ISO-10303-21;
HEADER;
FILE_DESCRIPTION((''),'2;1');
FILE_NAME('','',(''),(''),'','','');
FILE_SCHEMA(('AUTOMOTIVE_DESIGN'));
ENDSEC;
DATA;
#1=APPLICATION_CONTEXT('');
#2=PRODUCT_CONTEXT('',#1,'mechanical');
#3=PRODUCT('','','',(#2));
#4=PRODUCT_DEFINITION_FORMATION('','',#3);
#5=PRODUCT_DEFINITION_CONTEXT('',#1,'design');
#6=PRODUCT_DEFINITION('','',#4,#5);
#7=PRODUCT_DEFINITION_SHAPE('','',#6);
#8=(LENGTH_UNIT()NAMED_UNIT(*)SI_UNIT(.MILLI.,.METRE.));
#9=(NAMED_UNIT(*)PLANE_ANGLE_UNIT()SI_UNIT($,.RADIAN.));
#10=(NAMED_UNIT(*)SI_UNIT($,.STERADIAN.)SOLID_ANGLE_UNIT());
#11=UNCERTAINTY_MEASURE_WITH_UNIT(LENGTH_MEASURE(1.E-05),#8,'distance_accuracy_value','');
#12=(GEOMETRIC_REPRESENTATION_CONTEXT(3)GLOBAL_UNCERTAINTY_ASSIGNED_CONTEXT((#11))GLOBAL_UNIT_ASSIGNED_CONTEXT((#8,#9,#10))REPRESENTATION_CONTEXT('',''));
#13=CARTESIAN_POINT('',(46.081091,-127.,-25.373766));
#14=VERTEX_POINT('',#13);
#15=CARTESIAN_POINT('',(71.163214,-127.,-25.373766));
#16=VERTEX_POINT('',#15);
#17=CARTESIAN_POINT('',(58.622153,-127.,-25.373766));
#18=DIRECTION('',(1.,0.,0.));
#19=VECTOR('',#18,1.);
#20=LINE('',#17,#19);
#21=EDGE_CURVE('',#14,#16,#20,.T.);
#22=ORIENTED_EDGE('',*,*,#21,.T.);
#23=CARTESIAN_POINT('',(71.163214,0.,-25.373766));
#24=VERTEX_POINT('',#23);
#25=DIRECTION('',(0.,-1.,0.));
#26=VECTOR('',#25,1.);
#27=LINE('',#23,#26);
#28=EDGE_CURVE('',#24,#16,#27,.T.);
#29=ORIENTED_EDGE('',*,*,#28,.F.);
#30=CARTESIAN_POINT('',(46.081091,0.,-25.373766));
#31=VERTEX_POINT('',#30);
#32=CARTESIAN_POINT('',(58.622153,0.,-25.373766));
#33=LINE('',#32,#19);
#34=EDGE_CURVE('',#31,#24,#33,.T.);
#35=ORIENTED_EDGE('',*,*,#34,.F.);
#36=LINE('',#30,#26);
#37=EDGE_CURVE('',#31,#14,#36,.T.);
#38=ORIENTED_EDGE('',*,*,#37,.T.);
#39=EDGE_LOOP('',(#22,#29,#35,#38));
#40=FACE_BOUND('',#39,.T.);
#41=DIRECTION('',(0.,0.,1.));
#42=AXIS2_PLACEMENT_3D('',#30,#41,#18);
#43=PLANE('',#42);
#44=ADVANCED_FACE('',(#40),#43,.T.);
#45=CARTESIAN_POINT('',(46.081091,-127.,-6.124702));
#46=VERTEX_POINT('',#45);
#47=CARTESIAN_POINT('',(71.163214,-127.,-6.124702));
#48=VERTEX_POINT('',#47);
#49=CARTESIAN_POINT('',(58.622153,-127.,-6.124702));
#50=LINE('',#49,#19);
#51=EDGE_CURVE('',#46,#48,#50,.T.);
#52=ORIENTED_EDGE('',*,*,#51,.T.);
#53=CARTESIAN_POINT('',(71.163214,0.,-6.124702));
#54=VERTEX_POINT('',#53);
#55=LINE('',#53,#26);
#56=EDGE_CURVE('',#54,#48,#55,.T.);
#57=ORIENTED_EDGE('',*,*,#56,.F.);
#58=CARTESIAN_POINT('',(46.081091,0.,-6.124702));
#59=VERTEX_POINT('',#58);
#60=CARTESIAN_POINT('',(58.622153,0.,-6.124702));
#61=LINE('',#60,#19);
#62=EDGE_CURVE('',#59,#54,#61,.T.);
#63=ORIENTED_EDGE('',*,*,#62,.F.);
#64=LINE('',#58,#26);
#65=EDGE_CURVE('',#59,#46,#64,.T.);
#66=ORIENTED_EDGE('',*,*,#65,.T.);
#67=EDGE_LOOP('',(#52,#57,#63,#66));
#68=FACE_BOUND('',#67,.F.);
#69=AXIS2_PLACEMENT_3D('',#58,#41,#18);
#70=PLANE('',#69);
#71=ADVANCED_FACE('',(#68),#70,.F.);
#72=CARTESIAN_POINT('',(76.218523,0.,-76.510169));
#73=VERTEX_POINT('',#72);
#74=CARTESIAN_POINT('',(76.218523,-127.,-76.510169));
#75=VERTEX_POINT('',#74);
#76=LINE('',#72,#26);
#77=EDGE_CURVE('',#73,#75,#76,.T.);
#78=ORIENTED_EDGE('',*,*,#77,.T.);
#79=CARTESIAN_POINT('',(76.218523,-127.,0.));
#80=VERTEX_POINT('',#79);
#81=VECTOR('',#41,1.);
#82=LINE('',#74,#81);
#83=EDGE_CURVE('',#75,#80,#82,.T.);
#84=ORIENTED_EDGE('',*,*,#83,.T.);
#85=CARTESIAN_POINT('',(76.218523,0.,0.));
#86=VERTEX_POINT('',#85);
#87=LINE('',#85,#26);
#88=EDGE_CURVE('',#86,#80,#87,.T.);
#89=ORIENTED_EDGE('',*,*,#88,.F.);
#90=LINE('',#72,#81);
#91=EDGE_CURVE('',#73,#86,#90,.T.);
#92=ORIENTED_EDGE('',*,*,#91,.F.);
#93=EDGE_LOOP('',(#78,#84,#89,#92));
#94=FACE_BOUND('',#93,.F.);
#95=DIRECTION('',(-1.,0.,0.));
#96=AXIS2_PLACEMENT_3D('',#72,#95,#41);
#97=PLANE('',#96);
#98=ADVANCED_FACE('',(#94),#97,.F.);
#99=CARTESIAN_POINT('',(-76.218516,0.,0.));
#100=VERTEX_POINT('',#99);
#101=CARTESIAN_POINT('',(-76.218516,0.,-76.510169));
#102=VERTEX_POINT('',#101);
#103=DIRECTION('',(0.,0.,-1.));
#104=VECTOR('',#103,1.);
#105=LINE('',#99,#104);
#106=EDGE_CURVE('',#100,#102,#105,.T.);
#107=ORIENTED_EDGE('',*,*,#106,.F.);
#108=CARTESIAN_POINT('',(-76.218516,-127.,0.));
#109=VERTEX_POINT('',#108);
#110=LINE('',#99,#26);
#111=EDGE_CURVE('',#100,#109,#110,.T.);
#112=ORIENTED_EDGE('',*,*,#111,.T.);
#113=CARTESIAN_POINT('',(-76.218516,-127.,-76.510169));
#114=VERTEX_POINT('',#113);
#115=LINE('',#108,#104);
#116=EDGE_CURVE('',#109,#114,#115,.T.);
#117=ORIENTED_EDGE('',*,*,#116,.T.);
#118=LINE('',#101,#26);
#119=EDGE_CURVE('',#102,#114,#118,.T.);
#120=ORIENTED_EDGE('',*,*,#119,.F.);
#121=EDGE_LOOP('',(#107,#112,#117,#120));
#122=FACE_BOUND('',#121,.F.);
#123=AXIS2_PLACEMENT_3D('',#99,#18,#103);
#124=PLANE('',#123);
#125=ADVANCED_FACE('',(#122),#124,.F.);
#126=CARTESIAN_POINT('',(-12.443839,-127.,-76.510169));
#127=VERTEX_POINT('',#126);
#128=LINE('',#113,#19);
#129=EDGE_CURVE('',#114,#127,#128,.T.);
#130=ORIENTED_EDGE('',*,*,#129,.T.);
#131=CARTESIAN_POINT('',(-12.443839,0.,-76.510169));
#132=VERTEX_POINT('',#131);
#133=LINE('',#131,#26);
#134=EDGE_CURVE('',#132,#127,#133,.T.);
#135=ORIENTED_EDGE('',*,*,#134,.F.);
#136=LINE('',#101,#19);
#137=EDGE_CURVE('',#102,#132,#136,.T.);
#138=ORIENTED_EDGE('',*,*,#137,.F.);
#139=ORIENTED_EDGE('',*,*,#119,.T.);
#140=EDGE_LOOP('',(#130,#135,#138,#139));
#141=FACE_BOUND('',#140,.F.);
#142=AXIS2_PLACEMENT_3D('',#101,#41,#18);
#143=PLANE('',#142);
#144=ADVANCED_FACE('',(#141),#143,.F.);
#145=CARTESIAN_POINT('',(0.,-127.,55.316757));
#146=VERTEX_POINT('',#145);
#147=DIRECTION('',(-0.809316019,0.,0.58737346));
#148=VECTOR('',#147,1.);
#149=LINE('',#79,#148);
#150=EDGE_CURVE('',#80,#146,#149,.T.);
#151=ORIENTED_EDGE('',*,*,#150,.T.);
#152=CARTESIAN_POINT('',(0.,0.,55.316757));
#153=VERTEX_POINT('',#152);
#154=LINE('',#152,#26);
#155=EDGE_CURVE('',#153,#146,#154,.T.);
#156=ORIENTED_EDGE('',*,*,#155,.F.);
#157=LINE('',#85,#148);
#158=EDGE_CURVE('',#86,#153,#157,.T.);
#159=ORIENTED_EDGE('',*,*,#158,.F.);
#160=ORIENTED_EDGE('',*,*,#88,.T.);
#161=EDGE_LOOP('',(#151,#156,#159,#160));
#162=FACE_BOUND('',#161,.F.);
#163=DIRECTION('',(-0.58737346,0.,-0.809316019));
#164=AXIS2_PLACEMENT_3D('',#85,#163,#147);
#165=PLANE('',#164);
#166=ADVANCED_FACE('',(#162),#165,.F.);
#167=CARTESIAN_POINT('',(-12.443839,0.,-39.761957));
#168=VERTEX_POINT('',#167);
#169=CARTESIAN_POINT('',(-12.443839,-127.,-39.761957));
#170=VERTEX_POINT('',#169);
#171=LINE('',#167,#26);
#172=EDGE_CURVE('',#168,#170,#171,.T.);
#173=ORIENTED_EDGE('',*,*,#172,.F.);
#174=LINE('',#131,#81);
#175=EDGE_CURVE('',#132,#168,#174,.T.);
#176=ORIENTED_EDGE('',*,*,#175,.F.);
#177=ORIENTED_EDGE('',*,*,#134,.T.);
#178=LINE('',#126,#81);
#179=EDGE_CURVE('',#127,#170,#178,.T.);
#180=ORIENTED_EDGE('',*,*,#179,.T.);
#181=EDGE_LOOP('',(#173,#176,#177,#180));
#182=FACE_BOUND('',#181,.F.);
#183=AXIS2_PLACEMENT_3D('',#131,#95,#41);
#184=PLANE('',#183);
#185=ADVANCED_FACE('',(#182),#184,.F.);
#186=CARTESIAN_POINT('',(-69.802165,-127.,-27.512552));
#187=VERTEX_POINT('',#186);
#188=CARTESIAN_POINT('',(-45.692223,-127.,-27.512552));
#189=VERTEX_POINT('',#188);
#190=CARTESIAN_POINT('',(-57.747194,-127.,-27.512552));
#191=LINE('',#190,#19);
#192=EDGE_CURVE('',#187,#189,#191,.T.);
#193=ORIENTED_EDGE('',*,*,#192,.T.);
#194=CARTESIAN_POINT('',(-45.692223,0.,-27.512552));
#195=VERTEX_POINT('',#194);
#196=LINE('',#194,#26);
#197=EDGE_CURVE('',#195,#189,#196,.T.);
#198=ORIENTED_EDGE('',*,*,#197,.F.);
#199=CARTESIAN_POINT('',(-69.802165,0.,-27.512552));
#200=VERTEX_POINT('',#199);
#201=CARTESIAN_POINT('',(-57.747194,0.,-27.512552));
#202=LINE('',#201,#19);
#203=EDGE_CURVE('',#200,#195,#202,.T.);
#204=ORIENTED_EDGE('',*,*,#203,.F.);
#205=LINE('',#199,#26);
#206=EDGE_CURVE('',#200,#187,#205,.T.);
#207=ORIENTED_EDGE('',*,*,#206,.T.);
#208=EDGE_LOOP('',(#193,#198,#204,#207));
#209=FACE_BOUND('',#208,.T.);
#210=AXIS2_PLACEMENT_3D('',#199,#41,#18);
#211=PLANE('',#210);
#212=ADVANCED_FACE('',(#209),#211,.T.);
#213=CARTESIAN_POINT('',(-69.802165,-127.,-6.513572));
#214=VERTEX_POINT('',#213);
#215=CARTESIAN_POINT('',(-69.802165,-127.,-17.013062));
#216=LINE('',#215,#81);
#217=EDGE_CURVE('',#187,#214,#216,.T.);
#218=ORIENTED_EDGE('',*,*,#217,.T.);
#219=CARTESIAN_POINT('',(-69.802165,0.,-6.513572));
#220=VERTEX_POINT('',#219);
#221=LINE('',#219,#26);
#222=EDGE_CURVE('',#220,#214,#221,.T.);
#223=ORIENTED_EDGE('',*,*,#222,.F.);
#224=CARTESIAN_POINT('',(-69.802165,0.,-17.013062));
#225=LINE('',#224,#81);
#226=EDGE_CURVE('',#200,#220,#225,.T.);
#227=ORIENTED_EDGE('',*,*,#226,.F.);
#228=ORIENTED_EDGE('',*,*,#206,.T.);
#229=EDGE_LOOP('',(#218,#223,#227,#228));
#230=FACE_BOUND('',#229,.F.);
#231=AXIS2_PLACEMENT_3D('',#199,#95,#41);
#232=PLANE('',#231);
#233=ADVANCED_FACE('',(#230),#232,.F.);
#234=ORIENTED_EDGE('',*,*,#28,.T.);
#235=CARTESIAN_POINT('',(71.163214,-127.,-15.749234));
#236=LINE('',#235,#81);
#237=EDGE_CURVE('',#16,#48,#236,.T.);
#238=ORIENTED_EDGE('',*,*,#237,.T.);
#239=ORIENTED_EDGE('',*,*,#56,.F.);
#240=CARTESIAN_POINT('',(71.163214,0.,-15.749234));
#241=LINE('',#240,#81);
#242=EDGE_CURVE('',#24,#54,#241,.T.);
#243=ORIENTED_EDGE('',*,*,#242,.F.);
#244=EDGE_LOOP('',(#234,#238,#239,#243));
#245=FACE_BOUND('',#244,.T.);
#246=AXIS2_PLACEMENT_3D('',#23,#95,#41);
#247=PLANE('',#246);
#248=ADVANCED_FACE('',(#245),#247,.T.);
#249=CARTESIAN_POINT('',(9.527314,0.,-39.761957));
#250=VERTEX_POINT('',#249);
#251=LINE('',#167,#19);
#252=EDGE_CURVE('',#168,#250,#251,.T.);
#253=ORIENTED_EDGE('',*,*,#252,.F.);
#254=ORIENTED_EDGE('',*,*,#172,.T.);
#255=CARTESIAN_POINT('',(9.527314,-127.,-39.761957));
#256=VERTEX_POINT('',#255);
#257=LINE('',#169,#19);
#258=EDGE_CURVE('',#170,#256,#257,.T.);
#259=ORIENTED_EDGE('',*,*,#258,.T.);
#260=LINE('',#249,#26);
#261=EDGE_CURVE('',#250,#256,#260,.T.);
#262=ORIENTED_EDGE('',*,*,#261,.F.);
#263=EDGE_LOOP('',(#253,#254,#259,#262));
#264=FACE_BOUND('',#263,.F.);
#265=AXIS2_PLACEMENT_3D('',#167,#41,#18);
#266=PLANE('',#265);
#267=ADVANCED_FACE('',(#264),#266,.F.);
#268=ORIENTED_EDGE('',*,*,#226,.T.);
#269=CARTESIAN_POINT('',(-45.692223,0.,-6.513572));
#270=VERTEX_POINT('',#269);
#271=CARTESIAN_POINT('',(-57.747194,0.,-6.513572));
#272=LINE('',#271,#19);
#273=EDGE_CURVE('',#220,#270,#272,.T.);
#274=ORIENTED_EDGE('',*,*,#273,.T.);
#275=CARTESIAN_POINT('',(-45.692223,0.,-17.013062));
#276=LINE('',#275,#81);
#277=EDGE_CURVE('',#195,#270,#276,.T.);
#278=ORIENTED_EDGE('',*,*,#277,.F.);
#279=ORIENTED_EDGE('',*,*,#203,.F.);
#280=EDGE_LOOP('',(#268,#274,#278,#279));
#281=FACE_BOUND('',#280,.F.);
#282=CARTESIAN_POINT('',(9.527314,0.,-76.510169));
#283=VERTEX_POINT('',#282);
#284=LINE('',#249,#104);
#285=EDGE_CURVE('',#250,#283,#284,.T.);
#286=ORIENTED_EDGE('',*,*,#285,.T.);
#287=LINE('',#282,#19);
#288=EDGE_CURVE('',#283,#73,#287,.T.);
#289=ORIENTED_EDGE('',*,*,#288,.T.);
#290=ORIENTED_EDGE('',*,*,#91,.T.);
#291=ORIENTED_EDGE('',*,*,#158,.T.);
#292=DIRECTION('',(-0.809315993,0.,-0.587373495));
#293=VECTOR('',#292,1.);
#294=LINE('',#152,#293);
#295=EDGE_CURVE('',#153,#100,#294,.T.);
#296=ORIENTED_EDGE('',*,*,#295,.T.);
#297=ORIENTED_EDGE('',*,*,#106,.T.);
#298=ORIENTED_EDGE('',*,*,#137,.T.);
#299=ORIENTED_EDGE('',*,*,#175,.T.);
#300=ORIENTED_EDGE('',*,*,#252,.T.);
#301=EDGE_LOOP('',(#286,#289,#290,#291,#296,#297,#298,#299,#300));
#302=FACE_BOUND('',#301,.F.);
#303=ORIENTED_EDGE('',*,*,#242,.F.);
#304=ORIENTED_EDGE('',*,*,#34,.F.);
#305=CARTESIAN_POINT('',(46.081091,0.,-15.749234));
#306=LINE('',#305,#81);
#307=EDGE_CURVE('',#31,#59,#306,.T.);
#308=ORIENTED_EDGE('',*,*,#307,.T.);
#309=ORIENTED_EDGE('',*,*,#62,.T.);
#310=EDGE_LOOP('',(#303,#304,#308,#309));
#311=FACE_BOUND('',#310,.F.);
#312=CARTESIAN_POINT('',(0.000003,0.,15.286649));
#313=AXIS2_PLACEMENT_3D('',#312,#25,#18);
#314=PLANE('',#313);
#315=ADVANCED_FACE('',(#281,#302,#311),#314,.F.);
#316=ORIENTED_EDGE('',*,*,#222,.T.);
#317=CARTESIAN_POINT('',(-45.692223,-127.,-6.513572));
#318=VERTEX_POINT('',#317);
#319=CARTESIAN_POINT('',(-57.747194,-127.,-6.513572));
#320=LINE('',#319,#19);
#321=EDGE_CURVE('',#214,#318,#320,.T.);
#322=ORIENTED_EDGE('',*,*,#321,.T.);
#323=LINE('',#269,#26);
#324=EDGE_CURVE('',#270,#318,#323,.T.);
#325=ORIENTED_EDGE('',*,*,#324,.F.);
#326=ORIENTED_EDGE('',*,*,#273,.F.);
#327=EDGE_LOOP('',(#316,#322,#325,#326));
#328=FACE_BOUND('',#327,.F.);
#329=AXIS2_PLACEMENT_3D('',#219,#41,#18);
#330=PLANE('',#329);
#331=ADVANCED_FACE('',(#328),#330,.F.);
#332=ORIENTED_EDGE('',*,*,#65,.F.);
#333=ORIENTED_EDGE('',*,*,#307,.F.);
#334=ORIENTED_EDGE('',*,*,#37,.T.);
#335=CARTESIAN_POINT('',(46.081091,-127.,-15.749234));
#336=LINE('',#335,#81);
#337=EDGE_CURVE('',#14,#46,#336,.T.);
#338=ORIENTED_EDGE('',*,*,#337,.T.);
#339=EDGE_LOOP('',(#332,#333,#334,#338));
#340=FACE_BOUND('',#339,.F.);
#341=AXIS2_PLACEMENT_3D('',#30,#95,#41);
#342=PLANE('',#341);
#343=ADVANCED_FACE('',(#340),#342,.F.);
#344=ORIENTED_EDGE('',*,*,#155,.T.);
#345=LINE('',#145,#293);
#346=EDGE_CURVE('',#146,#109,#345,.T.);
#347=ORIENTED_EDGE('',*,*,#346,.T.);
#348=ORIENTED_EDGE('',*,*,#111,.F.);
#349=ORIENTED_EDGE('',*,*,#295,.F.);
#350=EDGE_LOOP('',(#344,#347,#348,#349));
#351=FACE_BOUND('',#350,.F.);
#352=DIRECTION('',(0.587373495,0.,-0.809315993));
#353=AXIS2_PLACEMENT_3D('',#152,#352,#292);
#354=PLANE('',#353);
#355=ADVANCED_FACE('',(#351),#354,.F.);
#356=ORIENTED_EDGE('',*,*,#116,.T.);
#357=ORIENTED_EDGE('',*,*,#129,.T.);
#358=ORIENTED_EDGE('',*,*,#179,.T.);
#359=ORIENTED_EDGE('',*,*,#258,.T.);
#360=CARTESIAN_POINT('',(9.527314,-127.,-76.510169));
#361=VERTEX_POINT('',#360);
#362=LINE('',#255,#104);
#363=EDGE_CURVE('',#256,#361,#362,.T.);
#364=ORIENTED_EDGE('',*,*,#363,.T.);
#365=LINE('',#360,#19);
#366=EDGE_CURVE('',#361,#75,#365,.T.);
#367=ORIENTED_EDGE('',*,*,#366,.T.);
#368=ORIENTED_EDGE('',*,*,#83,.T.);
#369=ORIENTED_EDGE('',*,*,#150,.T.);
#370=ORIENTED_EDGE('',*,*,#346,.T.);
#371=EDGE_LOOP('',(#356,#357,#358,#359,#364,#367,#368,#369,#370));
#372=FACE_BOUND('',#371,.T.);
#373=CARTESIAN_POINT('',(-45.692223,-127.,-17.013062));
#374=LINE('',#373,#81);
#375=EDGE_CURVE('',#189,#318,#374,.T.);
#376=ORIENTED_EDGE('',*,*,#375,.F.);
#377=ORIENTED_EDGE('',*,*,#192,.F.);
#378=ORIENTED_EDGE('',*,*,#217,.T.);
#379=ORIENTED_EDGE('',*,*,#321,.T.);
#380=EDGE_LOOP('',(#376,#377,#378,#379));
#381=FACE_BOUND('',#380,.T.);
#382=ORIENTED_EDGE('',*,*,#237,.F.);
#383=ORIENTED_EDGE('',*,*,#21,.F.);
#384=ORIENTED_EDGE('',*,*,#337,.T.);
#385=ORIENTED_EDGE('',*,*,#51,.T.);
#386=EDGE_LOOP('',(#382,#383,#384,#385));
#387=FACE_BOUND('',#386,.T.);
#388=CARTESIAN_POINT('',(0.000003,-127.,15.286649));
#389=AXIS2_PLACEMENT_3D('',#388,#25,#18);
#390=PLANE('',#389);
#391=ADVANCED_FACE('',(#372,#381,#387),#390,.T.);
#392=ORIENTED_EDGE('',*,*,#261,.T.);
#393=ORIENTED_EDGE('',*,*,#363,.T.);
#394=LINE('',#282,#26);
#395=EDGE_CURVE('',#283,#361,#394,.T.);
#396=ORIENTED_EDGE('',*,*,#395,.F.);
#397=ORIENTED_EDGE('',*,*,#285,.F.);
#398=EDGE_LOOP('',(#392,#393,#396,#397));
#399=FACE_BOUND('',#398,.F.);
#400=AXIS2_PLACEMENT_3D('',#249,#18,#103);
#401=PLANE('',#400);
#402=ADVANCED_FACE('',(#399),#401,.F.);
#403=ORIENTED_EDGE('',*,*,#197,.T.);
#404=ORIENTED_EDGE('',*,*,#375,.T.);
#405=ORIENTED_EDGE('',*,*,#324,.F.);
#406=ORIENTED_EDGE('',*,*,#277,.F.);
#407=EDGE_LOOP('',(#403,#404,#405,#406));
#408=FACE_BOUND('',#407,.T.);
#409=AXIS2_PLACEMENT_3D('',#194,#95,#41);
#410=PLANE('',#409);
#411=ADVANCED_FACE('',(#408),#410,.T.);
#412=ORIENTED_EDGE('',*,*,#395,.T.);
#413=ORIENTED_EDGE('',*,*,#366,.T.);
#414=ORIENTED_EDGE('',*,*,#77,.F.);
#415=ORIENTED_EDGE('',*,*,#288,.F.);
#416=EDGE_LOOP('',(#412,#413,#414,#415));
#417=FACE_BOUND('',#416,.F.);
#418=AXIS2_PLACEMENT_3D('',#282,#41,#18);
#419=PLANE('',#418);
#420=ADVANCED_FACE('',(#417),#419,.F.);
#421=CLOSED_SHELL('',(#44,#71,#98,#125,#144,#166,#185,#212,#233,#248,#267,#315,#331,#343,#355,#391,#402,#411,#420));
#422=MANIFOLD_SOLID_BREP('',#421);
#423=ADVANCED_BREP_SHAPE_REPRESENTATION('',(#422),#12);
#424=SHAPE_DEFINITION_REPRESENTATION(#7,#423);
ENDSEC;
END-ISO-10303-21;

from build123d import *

# Parameters (mm, degrees)
F0_W     = 24.109941
F0_H     = 20.99898
F0_W_2   = 25.082123
F0_H_2   = 19.249064
F1_DEPTH = 127


with BuildPart() as f1:
    # F0 (on Front) → F1 (new body)
    with BuildSketch(Plane.XZ):
        Polygon((0, 55.316757), (-76.218516, 0), (76.218523, 0), align=None)
        Polygon((76.218523, 0), (-76.218516, 0), (-76.218516, -76.510169), (-12.443839, -76.510169), (-12.443839, -39.761957), (9.527314, -39.761957), (9.527314, -76.510169), (76.218523, -76.510169), align=None)
        with Locations((-57.747194, -17.013062)):
            Rectangle(F0_W, F0_H, mode=Mode.SUBTRACT)
        with Locations((58.622153, -15.749234)):
            Rectangle(F0_W_2, F0_H_2, mode=Mode.SUBTRACT)
    extrude(amount=F1_DEPTH)


solid = f1.part
